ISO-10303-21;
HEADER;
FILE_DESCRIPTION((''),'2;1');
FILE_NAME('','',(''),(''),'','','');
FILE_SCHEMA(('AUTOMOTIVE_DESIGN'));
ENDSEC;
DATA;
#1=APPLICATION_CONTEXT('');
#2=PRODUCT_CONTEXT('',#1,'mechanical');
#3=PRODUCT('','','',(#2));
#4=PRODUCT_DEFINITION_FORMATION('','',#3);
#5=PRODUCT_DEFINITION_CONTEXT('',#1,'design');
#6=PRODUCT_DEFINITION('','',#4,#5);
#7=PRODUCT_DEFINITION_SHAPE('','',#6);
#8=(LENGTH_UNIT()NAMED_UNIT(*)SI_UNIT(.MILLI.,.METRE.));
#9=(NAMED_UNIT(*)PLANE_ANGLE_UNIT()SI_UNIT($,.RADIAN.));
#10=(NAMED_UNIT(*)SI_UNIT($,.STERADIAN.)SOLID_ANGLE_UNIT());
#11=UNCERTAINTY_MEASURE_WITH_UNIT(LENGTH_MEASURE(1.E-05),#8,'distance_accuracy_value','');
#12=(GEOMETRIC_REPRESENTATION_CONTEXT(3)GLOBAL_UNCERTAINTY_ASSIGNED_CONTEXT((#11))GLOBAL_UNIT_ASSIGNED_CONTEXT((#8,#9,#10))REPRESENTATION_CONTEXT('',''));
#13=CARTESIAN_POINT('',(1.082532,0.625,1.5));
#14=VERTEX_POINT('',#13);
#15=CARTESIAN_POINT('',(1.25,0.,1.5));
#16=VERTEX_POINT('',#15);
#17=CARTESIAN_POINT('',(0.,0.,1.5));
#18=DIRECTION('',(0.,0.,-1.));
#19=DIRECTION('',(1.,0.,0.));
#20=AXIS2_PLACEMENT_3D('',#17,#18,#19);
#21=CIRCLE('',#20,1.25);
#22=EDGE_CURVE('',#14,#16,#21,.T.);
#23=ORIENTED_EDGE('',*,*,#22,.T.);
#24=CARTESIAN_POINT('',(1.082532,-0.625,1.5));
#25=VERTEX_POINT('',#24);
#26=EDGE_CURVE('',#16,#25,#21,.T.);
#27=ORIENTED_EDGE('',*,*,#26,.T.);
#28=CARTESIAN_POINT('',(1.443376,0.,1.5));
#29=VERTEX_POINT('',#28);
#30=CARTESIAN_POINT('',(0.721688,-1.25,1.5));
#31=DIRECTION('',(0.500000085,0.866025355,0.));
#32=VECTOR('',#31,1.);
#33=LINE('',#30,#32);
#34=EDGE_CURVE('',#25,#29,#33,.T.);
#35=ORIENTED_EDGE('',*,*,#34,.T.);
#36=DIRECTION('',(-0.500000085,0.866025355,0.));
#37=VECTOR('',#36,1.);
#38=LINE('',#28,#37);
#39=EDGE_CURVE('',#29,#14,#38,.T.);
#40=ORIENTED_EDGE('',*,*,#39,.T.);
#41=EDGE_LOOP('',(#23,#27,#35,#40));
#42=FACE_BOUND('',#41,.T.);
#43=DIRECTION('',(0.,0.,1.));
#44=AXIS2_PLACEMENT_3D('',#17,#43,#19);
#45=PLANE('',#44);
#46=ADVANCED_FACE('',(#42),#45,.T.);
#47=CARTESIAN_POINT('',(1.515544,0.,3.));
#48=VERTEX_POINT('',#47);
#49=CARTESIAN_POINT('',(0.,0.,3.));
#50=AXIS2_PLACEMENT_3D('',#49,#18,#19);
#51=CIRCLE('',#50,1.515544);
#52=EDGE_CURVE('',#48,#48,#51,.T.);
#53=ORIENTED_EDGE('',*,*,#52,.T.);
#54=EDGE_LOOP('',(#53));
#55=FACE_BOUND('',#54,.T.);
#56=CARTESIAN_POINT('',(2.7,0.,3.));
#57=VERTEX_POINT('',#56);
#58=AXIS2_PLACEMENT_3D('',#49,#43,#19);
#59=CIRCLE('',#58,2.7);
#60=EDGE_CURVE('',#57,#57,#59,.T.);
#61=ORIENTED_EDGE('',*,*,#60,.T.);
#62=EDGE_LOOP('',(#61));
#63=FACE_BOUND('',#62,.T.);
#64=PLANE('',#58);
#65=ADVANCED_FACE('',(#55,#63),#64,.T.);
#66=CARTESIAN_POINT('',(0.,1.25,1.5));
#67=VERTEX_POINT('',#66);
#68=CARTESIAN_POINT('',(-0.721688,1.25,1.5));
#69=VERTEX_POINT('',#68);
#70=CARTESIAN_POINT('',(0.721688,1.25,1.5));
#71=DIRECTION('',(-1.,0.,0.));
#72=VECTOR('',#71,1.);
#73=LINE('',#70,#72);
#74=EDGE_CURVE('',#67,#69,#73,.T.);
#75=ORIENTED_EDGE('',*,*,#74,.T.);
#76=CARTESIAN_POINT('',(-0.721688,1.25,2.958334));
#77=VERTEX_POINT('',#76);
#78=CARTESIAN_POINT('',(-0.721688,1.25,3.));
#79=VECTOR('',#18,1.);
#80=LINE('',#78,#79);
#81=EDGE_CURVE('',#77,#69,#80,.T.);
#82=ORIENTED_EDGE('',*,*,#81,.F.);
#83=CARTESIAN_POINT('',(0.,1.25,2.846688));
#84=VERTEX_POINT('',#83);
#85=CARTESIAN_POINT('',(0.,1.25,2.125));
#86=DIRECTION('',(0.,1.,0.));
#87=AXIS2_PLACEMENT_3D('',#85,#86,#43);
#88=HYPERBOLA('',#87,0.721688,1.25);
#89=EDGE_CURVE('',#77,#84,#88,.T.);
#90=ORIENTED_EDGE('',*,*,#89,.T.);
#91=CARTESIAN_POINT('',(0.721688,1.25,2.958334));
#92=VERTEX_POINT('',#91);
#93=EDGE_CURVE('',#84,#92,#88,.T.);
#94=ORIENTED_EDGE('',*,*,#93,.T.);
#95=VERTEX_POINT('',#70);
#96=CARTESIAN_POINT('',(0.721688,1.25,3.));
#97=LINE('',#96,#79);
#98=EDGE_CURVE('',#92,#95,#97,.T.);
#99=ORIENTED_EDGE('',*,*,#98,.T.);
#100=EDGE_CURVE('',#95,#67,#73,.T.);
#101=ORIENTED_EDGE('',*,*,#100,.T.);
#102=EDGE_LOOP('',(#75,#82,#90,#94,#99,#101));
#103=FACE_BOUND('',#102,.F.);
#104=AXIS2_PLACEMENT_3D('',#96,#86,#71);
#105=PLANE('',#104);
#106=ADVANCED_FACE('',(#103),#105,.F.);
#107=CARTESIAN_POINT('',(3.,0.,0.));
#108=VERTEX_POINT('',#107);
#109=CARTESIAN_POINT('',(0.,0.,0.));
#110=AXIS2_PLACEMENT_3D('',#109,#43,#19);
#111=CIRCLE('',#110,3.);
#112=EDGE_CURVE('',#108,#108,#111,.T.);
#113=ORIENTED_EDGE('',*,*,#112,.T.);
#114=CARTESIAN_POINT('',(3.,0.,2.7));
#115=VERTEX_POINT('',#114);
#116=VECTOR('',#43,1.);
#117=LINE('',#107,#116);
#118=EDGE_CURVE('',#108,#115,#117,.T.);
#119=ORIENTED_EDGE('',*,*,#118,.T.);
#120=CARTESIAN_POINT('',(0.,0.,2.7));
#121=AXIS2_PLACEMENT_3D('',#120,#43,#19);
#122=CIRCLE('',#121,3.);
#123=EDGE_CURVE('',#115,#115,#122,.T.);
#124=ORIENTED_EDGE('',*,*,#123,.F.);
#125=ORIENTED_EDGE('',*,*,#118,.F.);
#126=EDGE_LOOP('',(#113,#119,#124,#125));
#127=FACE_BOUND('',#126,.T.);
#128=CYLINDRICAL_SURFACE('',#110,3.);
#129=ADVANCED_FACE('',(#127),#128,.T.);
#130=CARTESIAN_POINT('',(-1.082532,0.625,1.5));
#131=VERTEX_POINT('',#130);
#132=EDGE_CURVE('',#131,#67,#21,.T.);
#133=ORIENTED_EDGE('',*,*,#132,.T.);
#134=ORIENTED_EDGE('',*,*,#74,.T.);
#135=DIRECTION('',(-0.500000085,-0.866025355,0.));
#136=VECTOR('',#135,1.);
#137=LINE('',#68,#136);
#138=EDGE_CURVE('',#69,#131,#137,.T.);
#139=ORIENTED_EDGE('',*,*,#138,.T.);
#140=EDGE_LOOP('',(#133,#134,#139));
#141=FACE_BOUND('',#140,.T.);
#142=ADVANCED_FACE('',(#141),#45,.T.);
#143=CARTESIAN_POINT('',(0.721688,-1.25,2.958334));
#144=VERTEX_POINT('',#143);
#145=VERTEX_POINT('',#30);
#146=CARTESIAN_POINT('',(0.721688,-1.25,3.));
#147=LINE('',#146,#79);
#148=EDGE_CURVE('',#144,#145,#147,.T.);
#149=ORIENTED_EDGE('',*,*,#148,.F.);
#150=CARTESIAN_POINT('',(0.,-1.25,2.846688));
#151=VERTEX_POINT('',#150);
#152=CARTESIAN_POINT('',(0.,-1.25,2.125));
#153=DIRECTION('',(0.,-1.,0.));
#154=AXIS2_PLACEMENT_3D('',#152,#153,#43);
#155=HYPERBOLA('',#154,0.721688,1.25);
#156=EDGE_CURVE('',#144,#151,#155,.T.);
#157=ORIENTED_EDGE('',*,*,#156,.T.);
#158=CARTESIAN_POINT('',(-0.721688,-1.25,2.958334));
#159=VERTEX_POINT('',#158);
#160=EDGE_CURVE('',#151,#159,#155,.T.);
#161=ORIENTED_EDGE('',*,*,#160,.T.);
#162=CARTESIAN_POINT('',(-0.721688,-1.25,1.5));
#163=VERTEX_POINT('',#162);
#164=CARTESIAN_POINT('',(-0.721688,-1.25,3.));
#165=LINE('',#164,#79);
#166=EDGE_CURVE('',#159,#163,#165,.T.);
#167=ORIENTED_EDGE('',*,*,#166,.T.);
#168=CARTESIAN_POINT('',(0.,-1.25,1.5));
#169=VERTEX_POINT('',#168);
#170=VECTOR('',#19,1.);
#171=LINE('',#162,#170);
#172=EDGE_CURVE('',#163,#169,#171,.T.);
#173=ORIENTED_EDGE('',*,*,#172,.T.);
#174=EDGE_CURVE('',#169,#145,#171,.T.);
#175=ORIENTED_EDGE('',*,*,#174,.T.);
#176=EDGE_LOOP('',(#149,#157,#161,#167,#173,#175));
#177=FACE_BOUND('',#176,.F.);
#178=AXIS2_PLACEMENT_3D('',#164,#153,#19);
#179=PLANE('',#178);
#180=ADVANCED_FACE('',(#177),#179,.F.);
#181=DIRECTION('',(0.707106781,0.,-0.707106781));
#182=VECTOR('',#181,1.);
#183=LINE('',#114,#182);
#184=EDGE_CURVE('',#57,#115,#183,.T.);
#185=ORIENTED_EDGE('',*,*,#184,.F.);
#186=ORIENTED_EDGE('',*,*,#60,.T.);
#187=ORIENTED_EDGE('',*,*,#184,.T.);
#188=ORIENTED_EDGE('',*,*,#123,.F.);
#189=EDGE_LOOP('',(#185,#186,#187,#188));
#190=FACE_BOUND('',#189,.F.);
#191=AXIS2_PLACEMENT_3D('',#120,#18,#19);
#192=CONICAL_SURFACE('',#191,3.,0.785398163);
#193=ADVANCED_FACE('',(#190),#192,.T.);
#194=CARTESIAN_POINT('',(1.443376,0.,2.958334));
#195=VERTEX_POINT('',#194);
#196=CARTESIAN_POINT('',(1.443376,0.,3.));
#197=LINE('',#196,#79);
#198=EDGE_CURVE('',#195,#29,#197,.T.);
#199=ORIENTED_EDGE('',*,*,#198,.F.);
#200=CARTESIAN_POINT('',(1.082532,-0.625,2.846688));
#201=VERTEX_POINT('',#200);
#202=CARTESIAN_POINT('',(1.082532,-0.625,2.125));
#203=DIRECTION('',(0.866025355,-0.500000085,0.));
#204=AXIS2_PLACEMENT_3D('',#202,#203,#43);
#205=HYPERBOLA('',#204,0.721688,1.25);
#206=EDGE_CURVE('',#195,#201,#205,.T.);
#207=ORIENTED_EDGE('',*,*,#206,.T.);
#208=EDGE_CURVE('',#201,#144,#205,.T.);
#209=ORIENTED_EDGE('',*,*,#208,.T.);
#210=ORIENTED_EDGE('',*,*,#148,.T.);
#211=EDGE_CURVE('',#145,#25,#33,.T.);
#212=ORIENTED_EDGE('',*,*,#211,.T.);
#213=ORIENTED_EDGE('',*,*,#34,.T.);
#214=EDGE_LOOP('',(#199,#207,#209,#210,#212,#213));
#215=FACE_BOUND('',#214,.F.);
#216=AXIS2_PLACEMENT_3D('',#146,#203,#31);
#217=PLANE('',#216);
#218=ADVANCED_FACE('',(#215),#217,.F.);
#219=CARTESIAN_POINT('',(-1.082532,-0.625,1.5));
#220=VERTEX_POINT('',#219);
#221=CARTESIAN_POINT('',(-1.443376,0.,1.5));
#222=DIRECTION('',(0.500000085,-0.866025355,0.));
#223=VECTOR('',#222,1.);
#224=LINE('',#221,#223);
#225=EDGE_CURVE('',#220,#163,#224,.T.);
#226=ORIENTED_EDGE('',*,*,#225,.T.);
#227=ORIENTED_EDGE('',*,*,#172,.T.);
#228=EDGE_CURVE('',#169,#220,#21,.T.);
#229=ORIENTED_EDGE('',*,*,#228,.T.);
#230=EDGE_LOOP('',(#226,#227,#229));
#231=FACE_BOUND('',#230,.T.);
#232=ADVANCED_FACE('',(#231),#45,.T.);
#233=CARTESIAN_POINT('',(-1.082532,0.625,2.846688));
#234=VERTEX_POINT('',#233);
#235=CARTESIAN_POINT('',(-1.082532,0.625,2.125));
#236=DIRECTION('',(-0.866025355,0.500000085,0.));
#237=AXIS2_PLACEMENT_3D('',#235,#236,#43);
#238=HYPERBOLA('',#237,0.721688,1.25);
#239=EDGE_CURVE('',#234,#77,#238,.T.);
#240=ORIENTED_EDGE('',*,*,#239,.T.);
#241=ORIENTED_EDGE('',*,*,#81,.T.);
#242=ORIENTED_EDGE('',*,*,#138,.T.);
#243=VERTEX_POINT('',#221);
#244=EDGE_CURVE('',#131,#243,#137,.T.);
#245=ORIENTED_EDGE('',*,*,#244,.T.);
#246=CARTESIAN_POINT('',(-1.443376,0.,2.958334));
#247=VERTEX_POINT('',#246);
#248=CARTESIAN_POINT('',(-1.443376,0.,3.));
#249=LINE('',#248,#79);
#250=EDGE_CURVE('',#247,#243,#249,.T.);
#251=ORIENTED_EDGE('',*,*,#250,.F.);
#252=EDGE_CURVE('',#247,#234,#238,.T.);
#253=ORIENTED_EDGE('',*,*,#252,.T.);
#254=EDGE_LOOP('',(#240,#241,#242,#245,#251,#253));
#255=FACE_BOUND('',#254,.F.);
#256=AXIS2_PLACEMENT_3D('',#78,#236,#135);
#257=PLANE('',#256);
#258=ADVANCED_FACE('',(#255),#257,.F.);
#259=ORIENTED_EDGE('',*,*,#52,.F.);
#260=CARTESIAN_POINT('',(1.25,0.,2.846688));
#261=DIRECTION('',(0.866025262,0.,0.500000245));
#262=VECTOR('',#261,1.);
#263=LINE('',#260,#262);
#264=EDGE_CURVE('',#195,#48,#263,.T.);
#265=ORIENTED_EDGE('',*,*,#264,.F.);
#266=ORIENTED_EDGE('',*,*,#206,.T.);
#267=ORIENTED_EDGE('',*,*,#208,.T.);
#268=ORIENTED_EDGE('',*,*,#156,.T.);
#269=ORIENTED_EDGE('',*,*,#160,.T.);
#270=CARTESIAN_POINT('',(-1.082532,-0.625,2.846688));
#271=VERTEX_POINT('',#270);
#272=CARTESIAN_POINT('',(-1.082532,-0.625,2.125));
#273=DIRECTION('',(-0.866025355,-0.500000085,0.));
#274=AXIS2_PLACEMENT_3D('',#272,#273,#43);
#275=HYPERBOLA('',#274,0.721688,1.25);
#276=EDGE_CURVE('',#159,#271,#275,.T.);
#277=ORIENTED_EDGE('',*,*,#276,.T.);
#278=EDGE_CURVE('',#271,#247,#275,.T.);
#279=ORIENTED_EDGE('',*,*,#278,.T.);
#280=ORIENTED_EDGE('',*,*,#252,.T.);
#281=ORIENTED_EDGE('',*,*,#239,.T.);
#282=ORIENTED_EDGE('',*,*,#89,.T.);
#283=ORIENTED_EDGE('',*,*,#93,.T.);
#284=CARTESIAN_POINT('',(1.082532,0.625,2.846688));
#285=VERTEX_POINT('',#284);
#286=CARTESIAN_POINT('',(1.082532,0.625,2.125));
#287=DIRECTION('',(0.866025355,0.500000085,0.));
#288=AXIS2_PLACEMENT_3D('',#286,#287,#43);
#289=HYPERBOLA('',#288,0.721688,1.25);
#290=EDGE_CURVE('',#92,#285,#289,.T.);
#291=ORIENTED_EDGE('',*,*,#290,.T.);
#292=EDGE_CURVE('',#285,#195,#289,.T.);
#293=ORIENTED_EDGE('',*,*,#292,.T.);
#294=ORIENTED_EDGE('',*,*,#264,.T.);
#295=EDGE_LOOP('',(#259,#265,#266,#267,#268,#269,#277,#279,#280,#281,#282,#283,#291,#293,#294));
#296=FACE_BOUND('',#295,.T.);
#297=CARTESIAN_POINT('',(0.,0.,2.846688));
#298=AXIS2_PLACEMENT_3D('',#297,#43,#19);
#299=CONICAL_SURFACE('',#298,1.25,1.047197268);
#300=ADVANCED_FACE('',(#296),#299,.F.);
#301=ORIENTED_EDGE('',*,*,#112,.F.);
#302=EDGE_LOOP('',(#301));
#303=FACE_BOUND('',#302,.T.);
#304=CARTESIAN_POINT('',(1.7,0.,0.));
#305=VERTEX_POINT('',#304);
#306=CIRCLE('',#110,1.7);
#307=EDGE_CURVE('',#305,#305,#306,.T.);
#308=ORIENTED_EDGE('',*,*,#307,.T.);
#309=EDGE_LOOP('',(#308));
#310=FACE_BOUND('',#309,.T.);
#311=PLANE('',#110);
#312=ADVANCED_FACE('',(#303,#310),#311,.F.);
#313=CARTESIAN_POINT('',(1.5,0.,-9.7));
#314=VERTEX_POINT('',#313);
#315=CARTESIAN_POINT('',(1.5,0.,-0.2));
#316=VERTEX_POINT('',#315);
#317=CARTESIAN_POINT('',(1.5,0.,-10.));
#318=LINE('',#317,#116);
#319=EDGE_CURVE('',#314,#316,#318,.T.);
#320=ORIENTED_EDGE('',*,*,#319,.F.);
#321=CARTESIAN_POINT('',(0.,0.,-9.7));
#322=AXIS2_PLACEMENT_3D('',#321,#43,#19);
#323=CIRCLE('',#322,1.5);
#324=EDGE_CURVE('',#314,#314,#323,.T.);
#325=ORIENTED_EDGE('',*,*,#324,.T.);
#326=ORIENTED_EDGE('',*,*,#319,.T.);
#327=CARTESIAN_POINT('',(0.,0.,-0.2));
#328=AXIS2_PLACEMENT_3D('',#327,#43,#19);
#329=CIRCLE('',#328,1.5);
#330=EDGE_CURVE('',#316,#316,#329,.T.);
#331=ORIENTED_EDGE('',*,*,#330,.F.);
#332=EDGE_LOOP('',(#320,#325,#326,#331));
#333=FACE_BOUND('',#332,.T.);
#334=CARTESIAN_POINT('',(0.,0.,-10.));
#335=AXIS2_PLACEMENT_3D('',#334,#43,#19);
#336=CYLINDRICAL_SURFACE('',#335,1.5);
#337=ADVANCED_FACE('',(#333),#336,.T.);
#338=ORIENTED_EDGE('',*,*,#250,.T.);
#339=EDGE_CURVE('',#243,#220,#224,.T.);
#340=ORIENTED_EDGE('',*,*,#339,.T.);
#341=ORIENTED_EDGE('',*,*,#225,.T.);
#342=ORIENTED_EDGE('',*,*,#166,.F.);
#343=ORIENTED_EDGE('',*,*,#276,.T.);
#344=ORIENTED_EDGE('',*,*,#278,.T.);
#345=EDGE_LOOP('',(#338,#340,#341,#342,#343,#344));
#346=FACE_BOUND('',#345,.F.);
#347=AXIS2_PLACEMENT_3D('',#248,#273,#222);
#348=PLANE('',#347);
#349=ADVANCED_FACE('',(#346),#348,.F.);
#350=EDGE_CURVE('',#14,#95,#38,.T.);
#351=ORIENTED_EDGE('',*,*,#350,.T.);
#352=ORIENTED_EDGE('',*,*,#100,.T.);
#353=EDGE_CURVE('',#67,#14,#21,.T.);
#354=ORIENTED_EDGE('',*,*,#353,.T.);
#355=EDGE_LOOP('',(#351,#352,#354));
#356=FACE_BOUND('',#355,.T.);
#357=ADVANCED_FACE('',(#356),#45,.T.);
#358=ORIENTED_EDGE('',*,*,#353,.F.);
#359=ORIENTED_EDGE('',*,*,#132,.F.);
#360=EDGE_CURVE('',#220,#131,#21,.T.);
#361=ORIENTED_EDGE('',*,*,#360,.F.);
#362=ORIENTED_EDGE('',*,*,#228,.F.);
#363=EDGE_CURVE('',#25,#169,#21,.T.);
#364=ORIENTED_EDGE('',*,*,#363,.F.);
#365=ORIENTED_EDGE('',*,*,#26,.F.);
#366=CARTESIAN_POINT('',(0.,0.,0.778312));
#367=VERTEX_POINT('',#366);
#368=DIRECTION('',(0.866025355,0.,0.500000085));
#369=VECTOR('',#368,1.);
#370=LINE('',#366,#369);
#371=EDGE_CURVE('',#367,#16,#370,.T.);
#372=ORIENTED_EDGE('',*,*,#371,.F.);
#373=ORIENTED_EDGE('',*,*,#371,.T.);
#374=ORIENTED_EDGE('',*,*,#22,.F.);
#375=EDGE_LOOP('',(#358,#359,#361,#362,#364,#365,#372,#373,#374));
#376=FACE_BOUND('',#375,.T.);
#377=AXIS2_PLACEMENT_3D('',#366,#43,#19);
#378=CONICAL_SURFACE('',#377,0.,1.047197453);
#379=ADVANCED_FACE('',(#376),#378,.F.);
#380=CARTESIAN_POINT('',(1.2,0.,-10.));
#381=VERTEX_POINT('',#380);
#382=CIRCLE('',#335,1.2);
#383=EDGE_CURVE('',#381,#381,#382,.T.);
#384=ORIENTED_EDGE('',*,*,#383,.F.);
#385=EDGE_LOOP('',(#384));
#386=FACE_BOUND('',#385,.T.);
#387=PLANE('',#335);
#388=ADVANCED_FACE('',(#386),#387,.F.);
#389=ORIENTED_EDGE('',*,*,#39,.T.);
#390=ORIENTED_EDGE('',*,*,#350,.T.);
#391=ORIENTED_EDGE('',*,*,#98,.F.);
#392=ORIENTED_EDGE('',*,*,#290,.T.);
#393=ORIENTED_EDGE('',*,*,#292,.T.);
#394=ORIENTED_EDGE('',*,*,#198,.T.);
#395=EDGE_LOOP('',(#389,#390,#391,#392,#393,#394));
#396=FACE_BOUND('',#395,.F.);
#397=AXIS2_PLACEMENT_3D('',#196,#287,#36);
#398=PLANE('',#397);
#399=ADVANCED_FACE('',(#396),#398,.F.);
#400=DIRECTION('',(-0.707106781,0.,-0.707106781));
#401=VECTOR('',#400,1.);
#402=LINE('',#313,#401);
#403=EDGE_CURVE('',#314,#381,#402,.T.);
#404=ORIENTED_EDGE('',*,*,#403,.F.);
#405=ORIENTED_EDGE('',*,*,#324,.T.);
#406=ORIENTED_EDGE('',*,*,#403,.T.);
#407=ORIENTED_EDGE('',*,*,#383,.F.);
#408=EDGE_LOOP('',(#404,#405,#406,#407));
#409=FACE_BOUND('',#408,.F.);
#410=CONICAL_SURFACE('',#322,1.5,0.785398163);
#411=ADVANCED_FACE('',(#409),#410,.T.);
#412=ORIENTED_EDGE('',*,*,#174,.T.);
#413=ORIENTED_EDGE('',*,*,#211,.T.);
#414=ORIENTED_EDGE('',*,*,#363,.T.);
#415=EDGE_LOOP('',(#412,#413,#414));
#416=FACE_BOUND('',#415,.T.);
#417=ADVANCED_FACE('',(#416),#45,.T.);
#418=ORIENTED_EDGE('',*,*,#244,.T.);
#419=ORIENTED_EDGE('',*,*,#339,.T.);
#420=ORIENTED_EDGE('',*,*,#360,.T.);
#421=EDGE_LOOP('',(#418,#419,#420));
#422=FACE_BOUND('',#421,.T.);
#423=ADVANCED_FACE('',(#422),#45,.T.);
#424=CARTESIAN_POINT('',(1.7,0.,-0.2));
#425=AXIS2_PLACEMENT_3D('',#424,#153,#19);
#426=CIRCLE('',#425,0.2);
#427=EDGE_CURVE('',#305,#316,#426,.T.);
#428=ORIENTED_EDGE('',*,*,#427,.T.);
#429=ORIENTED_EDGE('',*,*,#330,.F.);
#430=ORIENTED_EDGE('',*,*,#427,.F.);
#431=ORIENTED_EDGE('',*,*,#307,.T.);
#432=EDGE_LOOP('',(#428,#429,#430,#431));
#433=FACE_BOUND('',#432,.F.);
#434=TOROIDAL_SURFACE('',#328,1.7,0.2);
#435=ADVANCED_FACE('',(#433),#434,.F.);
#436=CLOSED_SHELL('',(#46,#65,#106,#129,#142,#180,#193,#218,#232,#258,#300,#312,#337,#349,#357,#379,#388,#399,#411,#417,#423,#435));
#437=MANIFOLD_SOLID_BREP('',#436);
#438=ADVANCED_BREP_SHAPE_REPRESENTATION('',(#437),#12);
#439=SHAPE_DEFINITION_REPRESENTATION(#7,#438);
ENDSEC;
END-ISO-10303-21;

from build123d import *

# Parameters (mm, degrees)
F5_DEPTH = 1.5
F6_SIZE  = 0.3
F7_R     = 0.2


with BuildPart() as f1:
    # F0 (on Front) → F1 (revolve)
    with BuildSketch(Plane.XZ):
        Polygon((3, 3), (0, 3), (0, -10), (1.5, -10), (1.5, 0), (3, 0), align=None)
    revolve(axis=Axis((0, 0, -3.5), (0, 0, 1)))

    # F2 (on Front) → F3 (revolve, cut)
    with BuildSketch(Plane.XZ):
        Polygon((1.515544, 3), (0, 3), (0, 0.778312), (1.25, 1.5), (1.25, 2.846688), align=None)
    revolve(axis=Axis((0, 0, 1.889156), (0, 0, -1)), mode=Mode.SUBTRACT)

    # F4 (on face) → F5 (cut)
    with BuildSketch(Plane.XY.offset(3)):
        Polygon((1.443376, 0), (0.721688, 1.25), (-0.721688, 1.25), (-1.443376, 0), (-0.721688, -1.25), (0.721688, -1.25), align=None)
    extrude(amount=-F5_DEPTH, mode=Mode.SUBTRACT)

    # F6
    f6_edges = [f1.edges().sort_by_distance(p)[0] for p in [
        (-3, 0, 3),
        (-1.5, 0, -10),
    ]]
    chamfer(f6_edges, length=F6_SIZE)

    # F7
    f7_edges = [f1.edges().sort_by_distance(p)[0] for p in [
        (-1.5, 0, 0),
    ]]
    fillet(f7_edges, radius=F7_R)


solid = f1.part
